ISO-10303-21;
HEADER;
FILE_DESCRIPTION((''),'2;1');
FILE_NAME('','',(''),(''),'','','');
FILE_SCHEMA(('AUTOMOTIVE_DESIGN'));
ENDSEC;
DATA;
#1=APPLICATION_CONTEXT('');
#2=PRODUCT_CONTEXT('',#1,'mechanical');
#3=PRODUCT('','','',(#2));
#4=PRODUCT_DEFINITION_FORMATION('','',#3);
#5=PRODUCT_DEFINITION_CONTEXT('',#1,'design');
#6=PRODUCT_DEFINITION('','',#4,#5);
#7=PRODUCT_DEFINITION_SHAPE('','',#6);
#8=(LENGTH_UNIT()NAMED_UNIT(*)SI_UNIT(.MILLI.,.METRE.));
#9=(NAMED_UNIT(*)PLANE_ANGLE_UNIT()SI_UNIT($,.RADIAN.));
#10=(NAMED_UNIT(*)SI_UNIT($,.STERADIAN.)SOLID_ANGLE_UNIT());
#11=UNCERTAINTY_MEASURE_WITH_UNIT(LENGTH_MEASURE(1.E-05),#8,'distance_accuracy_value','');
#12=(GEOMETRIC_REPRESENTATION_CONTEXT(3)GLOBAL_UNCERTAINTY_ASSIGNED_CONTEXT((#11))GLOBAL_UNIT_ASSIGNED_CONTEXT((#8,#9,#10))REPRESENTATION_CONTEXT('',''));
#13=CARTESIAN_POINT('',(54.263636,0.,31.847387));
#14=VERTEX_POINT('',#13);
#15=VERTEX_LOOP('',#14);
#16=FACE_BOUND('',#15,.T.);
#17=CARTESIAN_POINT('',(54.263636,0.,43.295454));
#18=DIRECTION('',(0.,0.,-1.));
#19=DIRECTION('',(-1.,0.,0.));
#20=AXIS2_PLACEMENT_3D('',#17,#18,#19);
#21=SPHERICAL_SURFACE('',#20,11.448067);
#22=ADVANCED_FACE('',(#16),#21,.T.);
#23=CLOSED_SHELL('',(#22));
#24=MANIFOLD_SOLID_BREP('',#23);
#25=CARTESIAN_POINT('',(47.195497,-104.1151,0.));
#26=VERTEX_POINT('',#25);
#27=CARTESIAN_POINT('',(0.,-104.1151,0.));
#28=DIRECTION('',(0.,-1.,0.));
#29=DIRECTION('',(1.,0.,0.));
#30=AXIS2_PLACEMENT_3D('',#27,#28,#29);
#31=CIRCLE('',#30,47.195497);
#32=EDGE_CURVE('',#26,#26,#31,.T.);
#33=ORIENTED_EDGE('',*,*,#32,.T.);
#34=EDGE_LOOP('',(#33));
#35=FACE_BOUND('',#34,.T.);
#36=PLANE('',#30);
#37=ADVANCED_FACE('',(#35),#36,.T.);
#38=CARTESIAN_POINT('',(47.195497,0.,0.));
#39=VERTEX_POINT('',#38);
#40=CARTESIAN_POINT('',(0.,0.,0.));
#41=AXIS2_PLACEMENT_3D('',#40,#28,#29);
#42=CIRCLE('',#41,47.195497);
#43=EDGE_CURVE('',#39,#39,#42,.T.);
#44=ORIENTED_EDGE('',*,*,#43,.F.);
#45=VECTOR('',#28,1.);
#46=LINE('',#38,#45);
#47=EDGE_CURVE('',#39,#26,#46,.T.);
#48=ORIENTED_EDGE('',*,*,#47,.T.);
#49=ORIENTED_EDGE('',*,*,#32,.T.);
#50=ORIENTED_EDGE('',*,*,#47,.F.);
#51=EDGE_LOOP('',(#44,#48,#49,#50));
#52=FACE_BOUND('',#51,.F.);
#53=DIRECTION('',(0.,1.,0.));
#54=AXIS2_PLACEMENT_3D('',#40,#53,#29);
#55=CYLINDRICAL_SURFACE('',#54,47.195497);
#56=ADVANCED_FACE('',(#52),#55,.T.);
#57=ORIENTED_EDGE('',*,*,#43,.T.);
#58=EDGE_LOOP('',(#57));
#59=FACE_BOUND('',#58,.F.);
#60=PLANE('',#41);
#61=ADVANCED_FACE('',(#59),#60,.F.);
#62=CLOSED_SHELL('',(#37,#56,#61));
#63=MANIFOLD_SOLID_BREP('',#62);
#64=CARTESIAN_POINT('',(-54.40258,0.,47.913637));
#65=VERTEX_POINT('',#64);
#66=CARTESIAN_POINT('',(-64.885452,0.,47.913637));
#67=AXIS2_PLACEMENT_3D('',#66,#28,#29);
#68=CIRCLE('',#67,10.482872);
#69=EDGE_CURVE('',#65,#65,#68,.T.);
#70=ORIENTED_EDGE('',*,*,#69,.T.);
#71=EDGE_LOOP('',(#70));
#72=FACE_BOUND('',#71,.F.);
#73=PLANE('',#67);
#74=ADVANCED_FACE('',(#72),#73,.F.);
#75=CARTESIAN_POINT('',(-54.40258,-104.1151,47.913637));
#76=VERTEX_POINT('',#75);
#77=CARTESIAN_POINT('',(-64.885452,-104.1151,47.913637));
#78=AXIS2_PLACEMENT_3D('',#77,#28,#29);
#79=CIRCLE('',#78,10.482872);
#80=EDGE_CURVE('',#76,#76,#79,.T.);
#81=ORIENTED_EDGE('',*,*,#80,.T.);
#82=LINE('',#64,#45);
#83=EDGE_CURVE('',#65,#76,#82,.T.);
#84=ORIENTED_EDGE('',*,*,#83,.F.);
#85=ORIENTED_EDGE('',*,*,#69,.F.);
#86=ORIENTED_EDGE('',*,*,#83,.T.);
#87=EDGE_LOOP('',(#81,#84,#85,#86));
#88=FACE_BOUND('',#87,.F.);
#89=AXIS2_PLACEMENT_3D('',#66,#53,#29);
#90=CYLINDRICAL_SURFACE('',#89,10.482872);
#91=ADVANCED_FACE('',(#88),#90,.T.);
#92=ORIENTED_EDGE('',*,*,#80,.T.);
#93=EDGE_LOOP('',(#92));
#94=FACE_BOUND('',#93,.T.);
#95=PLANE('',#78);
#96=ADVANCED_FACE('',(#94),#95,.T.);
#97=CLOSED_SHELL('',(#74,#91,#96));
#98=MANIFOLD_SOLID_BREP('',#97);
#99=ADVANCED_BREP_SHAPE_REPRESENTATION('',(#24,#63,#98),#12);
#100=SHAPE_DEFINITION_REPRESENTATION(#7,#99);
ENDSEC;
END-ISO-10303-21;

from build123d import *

# Parameters (mm, degrees)
F2_R     = 10.482872
F2_R_2   = 47.195497
F3_DEPTH = 104.1151


with BuildPart() as f1:
    # F0 (on Front) → F1 (revolve)
    with BuildSketch(Plane.XZ):
        with BuildLine():
            Line((54.263636, 31.847387), (54.263636, 54.743521))
            ThreePointArc((54.263636, 54.743521), (42.815569, 43.295454), (54.263636, 31.847387))
        make_face()
    revolve(axis=Axis((54.263636, 0, 43.295454), (0, 0, -1)))


with BuildPart() as f3:
    # F2 (on Front) → F3 (new body)
    with BuildSketch(Plane.XZ):
        with Locations((-64.885452, 47.913637)):
            Circle(F2_R)
        Circle(F2_R_2)
    extrude(amount=F3_DEPTH)


solid = Compound([f1.part, f3.part])
